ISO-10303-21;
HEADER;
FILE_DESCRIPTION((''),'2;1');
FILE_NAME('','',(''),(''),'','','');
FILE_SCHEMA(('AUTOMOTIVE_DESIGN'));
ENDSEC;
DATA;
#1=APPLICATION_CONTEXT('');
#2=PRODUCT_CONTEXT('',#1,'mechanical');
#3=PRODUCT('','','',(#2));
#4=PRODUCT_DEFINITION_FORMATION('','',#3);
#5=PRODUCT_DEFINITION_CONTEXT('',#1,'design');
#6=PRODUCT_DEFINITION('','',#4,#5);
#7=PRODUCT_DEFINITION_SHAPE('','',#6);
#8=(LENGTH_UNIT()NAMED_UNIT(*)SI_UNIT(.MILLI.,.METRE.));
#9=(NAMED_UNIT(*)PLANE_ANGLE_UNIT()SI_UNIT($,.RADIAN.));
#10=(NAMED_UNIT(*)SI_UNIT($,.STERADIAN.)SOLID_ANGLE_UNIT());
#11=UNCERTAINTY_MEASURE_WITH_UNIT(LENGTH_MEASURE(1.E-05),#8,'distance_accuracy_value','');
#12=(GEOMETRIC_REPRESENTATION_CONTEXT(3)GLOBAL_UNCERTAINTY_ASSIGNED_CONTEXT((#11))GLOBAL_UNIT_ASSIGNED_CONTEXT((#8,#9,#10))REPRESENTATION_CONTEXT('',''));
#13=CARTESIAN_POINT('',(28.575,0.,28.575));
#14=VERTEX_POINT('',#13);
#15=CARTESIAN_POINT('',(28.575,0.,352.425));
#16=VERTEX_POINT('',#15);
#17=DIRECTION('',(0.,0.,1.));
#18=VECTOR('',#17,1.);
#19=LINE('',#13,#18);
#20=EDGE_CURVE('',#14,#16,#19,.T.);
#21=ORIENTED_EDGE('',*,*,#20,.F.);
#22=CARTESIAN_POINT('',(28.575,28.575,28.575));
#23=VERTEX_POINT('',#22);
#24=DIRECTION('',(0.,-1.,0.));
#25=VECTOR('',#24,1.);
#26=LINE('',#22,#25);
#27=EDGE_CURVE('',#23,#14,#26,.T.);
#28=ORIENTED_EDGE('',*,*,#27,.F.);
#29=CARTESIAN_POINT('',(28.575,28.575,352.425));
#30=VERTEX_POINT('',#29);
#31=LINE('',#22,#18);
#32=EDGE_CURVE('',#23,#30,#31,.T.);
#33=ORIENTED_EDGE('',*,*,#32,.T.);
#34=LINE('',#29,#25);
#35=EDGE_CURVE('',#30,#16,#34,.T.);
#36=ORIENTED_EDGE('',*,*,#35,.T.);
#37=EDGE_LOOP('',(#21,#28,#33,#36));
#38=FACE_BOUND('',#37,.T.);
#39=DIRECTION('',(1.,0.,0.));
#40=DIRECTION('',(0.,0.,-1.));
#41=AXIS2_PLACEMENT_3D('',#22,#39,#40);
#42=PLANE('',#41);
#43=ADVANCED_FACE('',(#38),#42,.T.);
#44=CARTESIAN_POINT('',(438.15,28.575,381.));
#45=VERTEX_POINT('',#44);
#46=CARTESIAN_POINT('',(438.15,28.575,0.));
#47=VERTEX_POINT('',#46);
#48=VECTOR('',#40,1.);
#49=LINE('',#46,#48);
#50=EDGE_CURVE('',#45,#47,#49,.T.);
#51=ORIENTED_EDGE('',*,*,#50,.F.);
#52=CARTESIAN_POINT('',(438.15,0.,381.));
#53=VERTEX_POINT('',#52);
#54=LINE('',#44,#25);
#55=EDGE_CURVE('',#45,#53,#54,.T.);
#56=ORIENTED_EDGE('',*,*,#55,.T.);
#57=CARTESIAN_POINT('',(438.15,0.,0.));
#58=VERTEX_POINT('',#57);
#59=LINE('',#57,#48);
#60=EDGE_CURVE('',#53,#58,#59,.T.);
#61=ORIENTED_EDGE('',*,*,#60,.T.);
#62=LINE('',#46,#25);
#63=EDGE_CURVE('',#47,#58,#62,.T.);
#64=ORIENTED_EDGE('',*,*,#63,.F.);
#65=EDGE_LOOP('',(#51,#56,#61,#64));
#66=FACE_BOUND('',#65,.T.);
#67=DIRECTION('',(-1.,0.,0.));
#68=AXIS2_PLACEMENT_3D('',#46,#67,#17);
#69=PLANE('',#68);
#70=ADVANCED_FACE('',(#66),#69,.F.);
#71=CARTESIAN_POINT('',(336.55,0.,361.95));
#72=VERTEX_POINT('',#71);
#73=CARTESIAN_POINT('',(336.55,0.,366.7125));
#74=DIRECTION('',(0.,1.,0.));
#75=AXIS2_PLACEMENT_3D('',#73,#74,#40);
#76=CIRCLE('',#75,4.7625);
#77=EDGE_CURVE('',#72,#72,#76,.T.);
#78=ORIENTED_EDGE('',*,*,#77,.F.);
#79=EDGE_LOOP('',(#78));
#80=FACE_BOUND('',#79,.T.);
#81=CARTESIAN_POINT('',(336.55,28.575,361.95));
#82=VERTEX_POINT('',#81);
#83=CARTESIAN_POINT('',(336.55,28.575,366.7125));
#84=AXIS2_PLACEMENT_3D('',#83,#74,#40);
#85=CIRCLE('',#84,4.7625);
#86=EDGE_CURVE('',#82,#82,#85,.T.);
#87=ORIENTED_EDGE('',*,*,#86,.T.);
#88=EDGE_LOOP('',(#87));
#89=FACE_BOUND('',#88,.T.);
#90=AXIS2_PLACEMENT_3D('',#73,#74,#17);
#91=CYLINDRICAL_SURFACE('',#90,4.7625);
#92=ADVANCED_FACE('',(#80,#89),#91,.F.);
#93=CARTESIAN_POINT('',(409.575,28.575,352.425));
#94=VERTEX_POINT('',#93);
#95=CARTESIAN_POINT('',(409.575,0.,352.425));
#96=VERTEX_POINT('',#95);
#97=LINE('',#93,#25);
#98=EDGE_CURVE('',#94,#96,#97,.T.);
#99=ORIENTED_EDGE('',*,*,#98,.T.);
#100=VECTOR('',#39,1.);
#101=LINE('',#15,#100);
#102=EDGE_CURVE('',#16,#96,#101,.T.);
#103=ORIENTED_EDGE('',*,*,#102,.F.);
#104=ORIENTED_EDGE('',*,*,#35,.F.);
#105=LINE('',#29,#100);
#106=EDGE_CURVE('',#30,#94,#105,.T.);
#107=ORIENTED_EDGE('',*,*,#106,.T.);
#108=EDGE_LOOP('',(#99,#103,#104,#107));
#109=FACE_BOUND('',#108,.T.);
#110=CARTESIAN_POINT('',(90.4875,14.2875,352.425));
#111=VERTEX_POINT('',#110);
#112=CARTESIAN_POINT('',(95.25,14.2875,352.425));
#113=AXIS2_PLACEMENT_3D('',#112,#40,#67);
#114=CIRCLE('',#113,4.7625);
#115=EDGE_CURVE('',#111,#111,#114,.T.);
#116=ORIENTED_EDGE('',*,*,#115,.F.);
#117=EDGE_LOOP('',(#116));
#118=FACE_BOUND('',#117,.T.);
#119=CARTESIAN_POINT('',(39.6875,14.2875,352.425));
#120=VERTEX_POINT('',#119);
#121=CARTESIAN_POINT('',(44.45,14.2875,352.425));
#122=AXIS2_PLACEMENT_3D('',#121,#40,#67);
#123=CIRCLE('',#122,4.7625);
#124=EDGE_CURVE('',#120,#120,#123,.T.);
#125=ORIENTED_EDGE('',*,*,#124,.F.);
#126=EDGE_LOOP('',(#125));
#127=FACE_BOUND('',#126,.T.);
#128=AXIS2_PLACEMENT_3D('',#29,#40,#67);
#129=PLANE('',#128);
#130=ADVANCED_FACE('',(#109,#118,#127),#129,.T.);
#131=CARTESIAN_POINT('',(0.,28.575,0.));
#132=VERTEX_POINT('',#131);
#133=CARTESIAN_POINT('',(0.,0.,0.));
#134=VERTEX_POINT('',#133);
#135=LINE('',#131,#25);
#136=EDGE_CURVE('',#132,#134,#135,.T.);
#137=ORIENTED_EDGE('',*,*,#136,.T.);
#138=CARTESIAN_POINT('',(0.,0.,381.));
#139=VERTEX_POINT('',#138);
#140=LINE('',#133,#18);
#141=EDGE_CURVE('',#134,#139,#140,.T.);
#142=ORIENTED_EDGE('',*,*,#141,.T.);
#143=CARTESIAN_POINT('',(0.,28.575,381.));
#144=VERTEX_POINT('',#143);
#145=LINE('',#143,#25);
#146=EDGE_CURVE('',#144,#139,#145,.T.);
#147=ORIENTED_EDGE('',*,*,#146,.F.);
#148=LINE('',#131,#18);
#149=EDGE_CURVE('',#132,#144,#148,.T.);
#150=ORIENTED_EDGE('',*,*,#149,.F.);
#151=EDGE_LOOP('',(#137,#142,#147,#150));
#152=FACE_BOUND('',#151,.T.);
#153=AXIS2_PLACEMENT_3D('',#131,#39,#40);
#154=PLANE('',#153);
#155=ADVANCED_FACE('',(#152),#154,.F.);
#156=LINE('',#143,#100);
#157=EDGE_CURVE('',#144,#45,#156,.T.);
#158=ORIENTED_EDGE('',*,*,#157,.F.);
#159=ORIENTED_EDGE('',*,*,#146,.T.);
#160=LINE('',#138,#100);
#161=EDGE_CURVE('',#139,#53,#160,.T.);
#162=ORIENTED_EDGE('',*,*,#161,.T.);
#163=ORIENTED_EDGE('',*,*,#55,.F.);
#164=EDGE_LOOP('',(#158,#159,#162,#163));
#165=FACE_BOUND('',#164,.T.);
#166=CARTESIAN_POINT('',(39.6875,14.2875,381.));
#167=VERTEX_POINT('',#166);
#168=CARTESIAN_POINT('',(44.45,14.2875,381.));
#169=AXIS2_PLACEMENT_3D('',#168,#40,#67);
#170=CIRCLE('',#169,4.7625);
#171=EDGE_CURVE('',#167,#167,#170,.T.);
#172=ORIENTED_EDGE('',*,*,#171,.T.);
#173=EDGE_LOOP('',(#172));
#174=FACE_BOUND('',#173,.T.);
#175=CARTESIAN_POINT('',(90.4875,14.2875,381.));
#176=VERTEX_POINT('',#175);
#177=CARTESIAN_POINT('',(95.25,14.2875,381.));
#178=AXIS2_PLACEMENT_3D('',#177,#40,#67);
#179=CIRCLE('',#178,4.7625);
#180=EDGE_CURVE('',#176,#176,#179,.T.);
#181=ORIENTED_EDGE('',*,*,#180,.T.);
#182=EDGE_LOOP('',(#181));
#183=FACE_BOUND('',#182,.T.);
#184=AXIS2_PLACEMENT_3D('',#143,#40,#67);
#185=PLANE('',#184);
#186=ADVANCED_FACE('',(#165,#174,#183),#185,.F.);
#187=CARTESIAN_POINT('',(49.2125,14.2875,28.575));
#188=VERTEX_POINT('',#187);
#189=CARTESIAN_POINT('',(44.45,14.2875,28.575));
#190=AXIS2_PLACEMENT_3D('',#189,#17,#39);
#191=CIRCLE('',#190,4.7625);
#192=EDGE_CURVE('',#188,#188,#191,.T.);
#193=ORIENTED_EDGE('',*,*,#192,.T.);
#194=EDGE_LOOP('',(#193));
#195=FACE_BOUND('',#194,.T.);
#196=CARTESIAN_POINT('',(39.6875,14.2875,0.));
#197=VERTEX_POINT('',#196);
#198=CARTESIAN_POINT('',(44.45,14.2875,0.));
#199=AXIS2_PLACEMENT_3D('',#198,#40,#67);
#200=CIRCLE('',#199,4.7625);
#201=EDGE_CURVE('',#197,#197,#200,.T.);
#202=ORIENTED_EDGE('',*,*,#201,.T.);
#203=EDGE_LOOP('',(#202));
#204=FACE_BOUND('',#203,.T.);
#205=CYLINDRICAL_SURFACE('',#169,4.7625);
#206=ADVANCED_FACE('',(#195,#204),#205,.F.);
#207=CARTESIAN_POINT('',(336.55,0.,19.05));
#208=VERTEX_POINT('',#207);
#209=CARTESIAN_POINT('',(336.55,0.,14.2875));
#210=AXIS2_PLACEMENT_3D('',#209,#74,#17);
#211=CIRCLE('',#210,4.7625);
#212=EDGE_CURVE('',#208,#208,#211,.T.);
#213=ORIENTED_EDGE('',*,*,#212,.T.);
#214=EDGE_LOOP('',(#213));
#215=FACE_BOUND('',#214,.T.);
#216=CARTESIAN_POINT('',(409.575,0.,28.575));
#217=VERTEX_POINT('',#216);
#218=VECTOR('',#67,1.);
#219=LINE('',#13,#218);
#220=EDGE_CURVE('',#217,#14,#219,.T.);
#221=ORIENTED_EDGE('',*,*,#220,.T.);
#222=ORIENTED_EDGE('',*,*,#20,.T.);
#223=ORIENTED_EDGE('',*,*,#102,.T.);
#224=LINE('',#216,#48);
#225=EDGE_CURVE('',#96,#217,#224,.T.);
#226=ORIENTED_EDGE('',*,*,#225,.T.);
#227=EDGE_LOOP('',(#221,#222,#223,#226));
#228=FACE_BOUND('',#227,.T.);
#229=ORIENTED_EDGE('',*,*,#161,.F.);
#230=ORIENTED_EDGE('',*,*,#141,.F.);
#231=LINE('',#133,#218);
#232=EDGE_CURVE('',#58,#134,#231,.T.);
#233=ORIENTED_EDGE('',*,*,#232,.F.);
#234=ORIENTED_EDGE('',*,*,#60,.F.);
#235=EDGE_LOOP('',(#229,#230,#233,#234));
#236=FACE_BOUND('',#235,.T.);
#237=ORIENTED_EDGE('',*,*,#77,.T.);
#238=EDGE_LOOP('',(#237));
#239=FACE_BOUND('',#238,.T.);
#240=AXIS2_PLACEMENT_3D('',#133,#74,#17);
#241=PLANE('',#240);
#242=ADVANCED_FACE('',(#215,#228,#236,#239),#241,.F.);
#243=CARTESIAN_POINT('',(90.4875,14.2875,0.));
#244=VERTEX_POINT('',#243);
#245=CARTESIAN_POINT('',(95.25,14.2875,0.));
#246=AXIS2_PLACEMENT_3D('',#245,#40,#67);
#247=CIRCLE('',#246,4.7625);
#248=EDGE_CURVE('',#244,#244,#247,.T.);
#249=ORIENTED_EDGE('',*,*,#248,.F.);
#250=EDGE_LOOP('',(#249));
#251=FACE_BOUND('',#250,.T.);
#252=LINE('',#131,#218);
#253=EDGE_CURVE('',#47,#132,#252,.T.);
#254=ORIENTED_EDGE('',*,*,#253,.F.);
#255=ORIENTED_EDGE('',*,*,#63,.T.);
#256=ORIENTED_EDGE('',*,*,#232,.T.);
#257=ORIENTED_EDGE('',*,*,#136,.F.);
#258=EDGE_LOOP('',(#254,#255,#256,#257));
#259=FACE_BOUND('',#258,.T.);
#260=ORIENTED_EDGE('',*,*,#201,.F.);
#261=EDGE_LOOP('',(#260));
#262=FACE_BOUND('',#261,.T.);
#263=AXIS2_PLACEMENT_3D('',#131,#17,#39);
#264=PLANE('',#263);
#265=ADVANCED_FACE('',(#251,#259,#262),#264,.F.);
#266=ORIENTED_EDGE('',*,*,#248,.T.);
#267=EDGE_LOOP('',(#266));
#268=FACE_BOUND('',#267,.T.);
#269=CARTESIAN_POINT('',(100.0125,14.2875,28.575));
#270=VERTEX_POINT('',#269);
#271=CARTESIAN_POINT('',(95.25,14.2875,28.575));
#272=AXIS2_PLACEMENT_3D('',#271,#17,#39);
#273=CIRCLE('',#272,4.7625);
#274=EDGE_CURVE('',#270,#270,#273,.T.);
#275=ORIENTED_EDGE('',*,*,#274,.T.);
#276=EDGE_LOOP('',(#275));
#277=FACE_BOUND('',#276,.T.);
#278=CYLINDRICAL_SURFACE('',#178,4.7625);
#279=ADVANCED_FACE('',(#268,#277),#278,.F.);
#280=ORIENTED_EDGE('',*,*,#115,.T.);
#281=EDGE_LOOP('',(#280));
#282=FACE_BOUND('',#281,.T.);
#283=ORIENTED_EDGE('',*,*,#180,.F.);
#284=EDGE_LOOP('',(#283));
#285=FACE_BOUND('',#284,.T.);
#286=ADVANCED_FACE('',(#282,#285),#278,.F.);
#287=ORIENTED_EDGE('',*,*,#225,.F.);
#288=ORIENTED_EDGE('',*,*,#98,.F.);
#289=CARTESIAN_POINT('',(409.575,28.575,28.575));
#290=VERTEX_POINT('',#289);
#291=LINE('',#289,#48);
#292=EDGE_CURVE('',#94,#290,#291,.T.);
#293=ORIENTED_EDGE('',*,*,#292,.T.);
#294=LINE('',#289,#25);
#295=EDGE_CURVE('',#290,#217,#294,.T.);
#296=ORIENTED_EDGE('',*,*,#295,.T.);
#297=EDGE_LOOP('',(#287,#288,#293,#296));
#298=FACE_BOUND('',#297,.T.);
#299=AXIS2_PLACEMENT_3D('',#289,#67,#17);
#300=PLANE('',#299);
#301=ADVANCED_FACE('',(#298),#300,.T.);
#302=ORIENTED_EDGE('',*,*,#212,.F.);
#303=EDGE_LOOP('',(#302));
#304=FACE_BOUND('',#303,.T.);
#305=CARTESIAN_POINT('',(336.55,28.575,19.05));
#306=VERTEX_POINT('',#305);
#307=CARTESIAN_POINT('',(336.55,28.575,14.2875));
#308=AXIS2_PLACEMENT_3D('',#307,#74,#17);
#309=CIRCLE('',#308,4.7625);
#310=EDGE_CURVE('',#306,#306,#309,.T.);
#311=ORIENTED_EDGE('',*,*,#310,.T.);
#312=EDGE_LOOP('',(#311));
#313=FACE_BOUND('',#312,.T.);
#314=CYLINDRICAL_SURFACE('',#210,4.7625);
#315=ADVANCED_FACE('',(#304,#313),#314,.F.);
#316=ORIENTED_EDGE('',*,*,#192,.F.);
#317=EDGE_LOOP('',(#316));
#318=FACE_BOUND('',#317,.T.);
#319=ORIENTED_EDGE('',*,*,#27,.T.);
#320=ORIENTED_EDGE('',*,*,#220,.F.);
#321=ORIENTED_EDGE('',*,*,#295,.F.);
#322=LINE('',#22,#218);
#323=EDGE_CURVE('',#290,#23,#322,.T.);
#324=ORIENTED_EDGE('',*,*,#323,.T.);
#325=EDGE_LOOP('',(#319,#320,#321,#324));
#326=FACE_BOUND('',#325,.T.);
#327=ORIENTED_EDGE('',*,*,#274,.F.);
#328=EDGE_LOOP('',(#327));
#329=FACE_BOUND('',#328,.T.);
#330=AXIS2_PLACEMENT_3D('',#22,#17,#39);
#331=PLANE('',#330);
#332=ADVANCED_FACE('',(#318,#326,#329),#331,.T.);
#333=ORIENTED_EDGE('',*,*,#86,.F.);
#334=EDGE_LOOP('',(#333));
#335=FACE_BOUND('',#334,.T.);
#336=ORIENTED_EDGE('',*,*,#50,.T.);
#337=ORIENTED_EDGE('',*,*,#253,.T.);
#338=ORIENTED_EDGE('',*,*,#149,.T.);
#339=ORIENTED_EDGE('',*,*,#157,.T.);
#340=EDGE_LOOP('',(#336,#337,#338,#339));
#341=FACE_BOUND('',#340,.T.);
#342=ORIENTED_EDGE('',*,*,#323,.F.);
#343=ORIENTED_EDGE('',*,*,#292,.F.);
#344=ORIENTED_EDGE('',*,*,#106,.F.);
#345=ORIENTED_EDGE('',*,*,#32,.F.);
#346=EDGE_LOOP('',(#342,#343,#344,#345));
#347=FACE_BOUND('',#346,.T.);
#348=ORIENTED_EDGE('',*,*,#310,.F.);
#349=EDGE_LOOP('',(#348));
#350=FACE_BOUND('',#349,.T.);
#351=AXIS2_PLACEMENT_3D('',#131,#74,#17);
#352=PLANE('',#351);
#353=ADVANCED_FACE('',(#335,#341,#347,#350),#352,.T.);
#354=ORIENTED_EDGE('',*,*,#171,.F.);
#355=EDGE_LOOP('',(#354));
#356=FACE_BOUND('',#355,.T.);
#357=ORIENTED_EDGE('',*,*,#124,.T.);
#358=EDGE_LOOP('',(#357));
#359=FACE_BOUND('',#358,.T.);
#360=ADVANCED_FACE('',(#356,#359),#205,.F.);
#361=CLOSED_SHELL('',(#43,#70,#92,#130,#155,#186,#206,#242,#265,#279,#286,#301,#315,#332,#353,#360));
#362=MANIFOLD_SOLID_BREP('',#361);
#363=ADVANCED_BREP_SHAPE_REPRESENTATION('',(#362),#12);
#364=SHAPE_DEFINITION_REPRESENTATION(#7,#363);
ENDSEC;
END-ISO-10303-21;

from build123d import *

# Parameters (mm, degrees)
SKETCH1_W           = 438.15
SKETCH1_H           = 381
SKETCH1_W_2         = 381
SKETCH1_H_2         = 323.85
BOSS_EXTRUDE1_DEPTH = 28.575
SKETCH2_R           = 4.7625
CUT_EXTRUDE1_DEPTH  = 582.337211199
SKETCH3_R           = 4.7625
CUT_EXTRUDE2_DEPTH  = 28.575


with BuildPart() as part:
    # Sketch1 → Boss-Extrude1 (new body)
    with BuildSketch(Plane(origin=(0, 0, 0), x_dir=(1, 0, 0), z_dir=(0, 1, 0))):
        with Locations((219.075, -190.5)):
            Rectangle(SKETCH1_W, SKETCH1_H)
        with Locations((219.075, -190.5)):
            Rectangle(SKETCH1_W_2, SKETCH1_H_2, mode=Mode.SUBTRACT)
    extrude(amount=BOSS_EXTRUDE1_DEPTH)

    # Sketch2 → Cut-Extrude1 (cut, through all)
    with BuildSketch(Plane(origin=(0, 0, 0), x_dir=(-1, 0, 0), z_dir=(0, 0, -1))):
        with Locations((-44.45, 14.2875)):
            Circle(SKETCH2_R)
        with Locations((-95.25, 14.2875)):
            Circle(SKETCH2_R)
    extrude(amount=-CUT_EXTRUDE1_DEPTH, mode=Mode.SUBTRACT)

    # Sketch3 → Cut-Extrude2 (cut)
    with BuildSketch(Plane(origin=(0, 28.575, 0), x_dir=(1, 0, 0), z_dir=(0, 1, 0))):
        with Locations(Location((336.55, -14.2875, 0), (0, 0, 270))):
            Circle(SKETCH3_R)
        with Locations(Location((336.55, -366.7125, 0), (0, 0, 90))):
            Circle(SKETCH3_R)
    extrude(amount=-CUT_EXTRUDE2_DEPTH, mode=Mode.SUBTRACT)


solid = part.part
